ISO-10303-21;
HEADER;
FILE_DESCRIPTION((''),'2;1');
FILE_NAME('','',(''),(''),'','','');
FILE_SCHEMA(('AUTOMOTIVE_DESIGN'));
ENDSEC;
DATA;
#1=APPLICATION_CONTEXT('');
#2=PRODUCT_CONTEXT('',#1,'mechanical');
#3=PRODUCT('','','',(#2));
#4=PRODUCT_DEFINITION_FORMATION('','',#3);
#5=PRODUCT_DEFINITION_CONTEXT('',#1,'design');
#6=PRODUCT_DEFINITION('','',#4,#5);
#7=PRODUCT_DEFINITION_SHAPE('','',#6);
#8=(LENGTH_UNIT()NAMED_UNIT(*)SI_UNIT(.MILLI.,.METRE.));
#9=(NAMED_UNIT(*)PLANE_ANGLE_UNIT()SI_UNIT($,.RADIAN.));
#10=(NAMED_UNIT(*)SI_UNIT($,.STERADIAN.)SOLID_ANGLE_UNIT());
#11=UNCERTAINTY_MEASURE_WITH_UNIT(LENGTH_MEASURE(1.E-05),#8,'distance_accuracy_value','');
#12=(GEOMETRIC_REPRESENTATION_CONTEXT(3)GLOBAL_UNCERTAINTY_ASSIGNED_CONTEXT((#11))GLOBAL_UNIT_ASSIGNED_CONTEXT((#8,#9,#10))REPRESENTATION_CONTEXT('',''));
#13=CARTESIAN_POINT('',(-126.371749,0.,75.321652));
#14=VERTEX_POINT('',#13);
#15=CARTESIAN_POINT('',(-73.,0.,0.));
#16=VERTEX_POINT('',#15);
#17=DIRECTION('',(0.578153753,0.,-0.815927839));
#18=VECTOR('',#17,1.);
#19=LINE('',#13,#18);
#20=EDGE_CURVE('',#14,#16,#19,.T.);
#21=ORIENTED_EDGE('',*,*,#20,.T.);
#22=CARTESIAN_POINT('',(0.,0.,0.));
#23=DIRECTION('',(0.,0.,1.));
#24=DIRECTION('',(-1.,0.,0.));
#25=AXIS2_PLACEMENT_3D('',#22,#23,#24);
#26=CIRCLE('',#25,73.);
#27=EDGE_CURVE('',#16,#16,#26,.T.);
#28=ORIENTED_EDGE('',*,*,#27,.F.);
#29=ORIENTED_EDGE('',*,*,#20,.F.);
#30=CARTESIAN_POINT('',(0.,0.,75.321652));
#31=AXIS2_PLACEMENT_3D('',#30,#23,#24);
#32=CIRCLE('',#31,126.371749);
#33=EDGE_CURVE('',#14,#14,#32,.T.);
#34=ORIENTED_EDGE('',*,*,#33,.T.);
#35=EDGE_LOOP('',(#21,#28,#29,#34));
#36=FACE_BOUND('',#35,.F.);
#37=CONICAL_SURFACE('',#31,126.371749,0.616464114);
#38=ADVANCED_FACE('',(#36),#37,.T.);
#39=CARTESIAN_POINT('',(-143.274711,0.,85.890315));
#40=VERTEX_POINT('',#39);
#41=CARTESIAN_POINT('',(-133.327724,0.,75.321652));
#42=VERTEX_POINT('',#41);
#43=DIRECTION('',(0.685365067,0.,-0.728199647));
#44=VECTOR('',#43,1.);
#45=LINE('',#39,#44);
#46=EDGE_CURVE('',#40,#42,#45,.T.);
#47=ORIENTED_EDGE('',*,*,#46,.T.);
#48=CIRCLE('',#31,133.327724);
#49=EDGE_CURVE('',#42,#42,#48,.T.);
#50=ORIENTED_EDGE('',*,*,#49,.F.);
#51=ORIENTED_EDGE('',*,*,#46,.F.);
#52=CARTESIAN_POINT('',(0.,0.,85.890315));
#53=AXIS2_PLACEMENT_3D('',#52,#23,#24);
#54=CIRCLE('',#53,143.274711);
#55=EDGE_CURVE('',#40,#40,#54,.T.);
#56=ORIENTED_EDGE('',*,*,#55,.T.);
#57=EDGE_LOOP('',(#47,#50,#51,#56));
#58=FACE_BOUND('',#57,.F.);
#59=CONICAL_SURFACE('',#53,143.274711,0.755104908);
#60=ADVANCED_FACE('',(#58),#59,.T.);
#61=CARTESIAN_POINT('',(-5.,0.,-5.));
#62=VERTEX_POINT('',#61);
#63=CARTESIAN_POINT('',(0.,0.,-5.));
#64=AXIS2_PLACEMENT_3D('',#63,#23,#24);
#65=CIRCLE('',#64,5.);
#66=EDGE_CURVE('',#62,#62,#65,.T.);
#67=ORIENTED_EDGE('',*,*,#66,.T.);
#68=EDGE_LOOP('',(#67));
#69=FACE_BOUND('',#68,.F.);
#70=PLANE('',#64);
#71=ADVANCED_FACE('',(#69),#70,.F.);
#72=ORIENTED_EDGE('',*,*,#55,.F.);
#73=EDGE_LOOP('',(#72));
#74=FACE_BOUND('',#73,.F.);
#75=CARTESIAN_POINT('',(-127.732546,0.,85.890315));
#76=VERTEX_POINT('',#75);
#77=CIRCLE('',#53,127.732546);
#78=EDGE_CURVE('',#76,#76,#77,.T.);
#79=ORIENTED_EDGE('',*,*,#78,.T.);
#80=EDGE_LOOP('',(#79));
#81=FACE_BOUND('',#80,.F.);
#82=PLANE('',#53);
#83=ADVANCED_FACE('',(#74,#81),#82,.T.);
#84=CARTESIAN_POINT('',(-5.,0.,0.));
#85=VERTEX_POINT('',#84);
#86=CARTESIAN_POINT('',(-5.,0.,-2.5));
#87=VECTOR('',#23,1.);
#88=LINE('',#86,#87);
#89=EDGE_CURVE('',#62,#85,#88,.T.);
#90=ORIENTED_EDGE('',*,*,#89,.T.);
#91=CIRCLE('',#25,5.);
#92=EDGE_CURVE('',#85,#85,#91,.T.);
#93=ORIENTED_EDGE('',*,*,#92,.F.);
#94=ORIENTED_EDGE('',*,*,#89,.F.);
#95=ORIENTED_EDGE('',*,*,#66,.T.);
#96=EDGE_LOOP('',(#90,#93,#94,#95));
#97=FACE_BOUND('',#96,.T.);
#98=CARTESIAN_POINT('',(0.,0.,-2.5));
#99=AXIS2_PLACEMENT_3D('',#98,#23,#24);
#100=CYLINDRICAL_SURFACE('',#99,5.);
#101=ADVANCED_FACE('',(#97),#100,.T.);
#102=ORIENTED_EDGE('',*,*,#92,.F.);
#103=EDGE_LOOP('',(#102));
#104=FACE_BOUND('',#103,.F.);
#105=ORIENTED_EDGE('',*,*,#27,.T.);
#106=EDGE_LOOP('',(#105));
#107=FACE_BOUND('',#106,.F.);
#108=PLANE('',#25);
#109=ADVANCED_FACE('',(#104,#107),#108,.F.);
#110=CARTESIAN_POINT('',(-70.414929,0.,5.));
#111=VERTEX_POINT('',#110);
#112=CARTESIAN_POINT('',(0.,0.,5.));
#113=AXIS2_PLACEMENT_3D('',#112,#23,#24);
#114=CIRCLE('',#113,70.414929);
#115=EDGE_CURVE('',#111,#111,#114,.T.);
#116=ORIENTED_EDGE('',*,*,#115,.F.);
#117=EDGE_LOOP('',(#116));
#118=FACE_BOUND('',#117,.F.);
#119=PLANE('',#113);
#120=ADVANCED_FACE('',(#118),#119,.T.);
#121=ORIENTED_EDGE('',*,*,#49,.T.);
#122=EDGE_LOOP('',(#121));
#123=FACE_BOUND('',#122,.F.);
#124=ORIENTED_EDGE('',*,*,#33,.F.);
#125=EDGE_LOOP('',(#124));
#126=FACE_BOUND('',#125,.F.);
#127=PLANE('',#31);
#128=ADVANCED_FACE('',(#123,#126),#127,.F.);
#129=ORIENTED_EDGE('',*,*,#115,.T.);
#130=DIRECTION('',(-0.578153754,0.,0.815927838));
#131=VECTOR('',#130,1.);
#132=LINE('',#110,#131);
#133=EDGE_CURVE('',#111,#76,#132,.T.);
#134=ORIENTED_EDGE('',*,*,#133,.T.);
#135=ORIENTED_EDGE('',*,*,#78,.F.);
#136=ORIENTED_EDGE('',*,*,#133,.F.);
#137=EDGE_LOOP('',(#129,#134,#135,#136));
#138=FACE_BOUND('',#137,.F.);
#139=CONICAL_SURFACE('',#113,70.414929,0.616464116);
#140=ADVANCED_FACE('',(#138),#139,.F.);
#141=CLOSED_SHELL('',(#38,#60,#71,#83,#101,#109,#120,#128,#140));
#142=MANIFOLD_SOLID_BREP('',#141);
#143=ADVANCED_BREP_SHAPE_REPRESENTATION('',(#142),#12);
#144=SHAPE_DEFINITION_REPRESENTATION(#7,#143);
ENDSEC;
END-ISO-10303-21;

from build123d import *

# Parameters (mm, degrees)
F0_W = 5
F0_H = 5


with BuildPart() as f1:
    # F0 (on Front) → F1 (revolve)
    with BuildSketch(Plane.XZ):
        Polygon((-5, 0), (0, 0), (0, 5), (-70.414929, 5), (-127.732546, 85.890315), (-143.274711, 85.890315), (-133.327724, 75.321652), (-126.371749, 75.321652), (-73, 0), align=None)
        with Locations((-2.5, -2.5)):
            Rectangle(F0_W, F0_H)
    revolve(axis=Axis((0, 0, 191.825941), (0, 0, 1)))


solid = f1.part
